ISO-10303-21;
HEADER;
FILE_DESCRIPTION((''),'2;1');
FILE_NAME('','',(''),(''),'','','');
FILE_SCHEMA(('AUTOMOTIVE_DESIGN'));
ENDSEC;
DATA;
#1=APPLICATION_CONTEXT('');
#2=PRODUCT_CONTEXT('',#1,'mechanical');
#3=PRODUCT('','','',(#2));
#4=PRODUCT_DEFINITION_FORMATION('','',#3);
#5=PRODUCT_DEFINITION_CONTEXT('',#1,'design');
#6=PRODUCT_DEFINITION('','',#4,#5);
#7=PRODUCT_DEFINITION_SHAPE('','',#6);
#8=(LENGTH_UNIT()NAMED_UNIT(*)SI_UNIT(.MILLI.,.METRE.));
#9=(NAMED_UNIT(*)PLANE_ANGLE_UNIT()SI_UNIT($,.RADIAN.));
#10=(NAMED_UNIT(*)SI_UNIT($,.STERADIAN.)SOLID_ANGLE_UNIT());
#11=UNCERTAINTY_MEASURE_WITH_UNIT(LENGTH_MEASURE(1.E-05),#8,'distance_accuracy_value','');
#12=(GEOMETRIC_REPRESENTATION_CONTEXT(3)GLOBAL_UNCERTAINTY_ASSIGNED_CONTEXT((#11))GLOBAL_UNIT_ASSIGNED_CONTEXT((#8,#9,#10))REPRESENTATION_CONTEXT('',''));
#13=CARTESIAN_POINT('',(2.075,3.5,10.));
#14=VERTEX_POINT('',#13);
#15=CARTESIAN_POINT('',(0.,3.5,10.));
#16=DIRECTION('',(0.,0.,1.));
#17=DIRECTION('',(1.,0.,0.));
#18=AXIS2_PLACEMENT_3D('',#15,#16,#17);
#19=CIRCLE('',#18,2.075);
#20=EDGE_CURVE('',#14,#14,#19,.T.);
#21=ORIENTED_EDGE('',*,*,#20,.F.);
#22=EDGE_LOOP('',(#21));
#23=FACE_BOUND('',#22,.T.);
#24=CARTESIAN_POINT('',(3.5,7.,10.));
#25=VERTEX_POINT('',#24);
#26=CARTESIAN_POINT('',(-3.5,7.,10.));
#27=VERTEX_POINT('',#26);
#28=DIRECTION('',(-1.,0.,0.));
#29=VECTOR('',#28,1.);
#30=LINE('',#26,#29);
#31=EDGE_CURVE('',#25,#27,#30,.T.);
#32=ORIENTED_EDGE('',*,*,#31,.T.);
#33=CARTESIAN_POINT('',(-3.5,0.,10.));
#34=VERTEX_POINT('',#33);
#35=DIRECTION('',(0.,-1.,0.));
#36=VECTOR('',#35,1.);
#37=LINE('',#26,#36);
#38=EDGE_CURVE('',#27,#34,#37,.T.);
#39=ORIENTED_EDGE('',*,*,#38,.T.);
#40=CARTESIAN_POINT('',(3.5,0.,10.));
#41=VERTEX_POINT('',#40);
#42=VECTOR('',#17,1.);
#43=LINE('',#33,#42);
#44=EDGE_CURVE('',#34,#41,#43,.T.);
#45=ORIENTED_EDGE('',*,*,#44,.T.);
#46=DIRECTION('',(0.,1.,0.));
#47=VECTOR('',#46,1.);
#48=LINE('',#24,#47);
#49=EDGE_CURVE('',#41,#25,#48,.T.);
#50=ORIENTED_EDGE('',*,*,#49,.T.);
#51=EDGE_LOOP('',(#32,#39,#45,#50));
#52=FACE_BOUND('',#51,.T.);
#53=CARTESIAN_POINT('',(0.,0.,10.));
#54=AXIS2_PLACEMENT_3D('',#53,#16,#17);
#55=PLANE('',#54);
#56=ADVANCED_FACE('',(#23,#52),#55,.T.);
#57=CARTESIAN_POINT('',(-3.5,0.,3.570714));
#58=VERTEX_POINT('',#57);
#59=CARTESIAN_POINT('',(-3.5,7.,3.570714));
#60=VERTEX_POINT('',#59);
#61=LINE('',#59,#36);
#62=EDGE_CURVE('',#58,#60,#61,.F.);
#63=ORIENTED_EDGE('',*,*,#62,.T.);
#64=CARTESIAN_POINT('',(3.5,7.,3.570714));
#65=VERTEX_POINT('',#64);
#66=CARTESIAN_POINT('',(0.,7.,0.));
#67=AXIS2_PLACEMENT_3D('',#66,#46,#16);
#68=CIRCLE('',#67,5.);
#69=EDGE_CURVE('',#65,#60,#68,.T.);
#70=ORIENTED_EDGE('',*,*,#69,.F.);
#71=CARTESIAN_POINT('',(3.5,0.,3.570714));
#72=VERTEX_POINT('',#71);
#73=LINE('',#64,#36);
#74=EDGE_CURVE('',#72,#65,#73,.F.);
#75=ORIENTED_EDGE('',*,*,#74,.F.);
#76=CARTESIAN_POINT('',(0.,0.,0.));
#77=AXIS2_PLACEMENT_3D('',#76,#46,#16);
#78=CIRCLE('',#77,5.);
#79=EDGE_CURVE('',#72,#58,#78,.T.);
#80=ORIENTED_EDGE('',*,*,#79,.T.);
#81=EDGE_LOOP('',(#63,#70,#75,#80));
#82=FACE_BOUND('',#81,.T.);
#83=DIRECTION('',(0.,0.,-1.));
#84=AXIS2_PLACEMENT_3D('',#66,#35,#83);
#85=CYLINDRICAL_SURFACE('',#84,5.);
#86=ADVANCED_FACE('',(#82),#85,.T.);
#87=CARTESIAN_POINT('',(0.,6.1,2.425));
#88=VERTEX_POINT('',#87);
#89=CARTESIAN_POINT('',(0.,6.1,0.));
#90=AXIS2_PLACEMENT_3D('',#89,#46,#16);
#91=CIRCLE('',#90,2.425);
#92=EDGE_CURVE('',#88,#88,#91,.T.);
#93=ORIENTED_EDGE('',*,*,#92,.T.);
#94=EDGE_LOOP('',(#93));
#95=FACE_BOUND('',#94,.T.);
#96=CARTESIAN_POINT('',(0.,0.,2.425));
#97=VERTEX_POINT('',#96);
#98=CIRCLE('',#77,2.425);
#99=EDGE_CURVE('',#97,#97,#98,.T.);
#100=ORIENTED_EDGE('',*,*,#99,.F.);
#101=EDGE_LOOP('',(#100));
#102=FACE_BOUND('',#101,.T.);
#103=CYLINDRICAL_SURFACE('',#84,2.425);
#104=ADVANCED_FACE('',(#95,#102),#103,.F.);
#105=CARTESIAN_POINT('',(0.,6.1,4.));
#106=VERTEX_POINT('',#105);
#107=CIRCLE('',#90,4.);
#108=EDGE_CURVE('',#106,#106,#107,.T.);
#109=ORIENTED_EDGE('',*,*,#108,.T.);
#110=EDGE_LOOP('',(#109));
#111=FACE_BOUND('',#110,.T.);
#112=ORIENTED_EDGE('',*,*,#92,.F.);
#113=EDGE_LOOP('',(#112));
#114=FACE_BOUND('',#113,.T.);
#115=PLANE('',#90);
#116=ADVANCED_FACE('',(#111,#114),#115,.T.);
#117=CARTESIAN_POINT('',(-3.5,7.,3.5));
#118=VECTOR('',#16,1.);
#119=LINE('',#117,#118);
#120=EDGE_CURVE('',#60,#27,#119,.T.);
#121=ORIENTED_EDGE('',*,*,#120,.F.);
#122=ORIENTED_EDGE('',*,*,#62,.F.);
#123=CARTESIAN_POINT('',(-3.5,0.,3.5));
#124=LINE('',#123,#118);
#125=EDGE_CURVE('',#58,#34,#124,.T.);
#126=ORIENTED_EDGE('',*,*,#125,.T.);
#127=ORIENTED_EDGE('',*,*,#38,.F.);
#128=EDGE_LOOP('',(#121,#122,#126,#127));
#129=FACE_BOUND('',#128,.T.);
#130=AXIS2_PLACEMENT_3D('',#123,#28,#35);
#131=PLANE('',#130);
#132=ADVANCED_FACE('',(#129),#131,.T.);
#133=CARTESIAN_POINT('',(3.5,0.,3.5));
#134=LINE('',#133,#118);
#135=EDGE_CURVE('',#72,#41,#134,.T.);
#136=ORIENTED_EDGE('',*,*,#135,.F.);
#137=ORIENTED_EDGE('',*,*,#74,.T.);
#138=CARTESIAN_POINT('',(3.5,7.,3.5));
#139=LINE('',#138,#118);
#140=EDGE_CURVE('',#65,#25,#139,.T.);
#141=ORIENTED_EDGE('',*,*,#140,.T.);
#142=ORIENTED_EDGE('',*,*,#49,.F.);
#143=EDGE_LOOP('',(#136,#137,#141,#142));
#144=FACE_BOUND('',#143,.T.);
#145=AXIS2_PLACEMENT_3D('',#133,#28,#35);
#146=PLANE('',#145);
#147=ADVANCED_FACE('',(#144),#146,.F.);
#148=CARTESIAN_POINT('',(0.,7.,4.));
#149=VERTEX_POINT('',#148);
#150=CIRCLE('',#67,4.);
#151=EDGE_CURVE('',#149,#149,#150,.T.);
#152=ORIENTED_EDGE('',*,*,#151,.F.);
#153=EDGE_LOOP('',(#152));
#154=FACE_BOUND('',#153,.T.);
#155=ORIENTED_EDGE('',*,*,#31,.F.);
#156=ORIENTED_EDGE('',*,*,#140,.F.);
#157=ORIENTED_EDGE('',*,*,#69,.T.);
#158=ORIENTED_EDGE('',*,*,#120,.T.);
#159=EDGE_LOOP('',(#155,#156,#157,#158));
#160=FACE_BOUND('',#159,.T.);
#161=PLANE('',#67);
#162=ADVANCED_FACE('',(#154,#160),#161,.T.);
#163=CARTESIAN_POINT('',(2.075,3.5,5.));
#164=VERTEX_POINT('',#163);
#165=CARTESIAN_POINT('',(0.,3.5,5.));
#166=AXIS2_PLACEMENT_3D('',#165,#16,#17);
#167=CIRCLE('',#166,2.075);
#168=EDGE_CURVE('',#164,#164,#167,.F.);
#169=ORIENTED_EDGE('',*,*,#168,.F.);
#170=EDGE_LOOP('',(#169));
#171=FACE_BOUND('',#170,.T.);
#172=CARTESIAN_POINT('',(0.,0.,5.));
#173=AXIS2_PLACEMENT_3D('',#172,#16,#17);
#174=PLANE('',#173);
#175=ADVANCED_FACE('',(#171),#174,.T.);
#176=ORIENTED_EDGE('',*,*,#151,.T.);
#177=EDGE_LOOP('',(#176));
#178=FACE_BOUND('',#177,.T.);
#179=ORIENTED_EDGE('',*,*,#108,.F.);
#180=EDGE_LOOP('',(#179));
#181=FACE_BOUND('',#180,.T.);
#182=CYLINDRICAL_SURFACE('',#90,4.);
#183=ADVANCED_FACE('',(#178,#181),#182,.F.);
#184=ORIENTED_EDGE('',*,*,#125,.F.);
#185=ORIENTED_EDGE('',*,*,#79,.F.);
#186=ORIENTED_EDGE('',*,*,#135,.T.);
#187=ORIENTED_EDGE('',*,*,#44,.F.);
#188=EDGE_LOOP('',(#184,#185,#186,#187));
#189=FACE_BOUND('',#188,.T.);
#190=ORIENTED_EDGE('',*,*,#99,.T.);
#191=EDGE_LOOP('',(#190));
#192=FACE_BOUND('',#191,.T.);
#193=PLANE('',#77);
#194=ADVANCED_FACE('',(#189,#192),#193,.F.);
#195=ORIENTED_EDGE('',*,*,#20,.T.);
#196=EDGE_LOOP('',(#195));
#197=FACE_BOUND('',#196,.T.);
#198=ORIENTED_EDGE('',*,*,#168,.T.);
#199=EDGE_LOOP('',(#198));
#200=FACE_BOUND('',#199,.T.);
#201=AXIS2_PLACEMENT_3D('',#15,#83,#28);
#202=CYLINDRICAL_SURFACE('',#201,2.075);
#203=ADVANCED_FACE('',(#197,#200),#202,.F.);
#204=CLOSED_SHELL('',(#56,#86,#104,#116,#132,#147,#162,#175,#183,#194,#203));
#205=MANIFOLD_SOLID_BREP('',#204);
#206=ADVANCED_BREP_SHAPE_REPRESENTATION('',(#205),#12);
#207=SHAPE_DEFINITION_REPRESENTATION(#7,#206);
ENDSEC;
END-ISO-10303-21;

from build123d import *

# Parameters (mm, degrees)
SKETCH1_R           = 5
SKETCH1_R_2         = 2.425
BOSS_EXTRUDE1_DEPTH = 7
SKETCH2_W           = 3.5
SKETCH2_H           = 7
BOSS_EXTRUDE3_DEPTH = 1.5
SKETCH4_W           = 7
SKETCH4_H           = 7
SKETCH4_R           = 2.075
BOSS_EXTRUDE4_DEPTH = 5
SKETCH5_R           = 4
CUT_EXTRUDE1_DEPTH  = 0.9


with BuildPart() as part:
    # Sketch1 → Boss-Extrude1 (new body)
    with BuildSketch(Plane(origin=(0, 0, 0), x_dir=(1, 0, 0), z_dir=(0, 1, 0))):
        Circle(SKETCH1_R)
        Circle(SKETCH1_R_2, mode=Mode.SUBTRACT)
    extrude(amount=BOSS_EXTRUDE1_DEPTH)

    # Sketch2 → Boss-Extrude3 (add)
    with BuildSketch(Plane.XY.offset(5)):
        with Locations((-1.75, 3.5)):
            Rectangle(SKETCH2_W, SKETCH2_H)
        with Locations((1.75, 3.5)):
            Rectangle(SKETCH2_W, SKETCH2_H)
    extrude(amount=-BOSS_EXTRUDE3_DEPTH)

    # Sketch4 → Boss-Extrude4 (add)
    with BuildSketch(Plane.XY.offset(5)):
        with Locations((0, 3.5)):
            Rectangle(SKETCH4_W, SKETCH4_H)
        with Locations((0, 3.5)):
            Circle(SKETCH4_R, mode=Mode.SUBTRACT)
    extrude(amount=BOSS_EXTRUDE4_DEPTH)

    # Sketch5 → Cut-Extrude1 (cut)
    with BuildSketch(Plane(origin=(0, 7, 0), x_dir=(1, 0, 0), z_dir=(0, 1, 0))):
        Circle(SKETCH5_R)
    extrude(amount=-CUT_EXTRUDE1_DEPTH, mode=Mode.SUBTRACT)


solid = part.part
